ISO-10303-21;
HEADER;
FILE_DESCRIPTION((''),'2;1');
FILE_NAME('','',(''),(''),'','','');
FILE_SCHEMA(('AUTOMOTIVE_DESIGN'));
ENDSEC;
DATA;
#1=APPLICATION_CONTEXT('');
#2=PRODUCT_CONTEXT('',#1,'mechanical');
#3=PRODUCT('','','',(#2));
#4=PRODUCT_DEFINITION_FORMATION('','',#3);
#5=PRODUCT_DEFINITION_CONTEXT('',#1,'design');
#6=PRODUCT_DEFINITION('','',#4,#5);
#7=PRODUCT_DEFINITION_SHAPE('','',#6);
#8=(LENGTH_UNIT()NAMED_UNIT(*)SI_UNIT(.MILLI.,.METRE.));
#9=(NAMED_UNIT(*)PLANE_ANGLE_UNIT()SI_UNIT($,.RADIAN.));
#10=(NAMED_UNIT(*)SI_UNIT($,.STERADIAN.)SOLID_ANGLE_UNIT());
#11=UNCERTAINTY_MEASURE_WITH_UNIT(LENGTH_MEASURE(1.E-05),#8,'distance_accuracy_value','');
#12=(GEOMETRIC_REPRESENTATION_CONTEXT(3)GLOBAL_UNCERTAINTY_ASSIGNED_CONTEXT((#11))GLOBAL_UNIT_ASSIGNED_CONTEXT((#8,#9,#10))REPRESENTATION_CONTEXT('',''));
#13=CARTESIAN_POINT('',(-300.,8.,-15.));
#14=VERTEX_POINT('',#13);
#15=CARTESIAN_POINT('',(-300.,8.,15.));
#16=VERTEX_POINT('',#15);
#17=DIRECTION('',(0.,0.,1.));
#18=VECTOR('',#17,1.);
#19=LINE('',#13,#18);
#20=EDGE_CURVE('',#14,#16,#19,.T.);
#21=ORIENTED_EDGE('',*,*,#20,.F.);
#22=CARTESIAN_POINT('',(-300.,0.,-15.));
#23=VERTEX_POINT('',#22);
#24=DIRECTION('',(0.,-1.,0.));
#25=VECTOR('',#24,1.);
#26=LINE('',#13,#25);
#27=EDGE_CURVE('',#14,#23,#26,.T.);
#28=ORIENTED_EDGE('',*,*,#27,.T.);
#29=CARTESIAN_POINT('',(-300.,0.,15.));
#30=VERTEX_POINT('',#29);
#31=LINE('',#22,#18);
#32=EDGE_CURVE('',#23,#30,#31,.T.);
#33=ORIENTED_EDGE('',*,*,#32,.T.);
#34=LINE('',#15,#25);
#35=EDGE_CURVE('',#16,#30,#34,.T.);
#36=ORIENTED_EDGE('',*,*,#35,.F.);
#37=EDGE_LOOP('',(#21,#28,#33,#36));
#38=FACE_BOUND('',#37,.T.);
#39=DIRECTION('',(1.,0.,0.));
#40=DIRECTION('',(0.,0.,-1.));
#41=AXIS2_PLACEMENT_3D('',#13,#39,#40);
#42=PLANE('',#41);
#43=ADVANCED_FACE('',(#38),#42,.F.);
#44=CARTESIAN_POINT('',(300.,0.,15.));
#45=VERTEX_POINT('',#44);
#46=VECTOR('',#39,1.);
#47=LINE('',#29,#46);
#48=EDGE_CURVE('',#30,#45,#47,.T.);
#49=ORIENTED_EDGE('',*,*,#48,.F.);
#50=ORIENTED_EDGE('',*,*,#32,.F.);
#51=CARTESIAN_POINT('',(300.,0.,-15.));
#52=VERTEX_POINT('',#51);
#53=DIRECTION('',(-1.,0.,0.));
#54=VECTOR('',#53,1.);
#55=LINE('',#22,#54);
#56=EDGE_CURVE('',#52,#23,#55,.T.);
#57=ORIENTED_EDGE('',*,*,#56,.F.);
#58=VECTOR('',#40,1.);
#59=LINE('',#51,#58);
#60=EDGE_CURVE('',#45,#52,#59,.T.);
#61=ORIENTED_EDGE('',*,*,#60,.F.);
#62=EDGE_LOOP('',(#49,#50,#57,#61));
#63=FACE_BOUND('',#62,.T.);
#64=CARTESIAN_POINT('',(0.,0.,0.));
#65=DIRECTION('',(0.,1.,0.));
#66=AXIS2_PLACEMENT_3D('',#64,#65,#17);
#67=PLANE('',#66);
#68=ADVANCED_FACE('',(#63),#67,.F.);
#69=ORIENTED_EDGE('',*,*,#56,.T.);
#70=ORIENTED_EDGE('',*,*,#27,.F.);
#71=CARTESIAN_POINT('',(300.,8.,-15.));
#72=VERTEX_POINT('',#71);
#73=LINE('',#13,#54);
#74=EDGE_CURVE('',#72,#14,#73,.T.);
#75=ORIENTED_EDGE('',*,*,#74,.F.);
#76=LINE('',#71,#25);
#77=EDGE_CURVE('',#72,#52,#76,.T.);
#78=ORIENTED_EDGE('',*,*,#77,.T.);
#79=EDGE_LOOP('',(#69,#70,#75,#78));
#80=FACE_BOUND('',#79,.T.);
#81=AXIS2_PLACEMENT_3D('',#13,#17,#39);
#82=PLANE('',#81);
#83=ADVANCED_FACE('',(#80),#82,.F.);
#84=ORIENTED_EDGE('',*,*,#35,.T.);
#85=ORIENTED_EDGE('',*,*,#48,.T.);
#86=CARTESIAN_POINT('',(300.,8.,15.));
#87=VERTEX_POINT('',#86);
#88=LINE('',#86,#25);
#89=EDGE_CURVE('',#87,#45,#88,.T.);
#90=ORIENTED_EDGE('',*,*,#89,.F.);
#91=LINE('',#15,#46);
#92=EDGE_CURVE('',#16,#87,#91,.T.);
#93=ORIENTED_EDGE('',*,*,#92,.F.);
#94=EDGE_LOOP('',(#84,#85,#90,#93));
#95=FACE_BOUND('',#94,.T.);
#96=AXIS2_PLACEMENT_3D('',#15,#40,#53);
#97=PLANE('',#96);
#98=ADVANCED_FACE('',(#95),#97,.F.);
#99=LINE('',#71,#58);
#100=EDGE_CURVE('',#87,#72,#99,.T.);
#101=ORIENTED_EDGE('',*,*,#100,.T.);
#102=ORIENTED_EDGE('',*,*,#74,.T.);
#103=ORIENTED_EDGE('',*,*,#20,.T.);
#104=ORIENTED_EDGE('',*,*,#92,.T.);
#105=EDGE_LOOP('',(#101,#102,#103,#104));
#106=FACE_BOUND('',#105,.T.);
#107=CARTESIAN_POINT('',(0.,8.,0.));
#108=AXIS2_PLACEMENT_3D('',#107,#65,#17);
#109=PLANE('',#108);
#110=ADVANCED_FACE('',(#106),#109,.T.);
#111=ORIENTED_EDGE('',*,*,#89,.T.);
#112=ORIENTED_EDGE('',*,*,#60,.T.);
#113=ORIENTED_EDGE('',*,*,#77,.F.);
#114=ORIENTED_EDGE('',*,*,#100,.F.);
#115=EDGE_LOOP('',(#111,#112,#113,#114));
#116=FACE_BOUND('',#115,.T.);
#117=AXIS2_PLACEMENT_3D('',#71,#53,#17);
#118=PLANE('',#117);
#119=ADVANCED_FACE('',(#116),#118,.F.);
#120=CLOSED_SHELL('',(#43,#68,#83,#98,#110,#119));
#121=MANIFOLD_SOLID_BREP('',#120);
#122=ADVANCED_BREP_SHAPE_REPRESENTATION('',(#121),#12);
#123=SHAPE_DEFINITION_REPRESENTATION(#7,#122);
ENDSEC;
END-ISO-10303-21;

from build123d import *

# Parameters (mm, degrees)
SKETCH_1_W      = 600
SKETCH_1_H      = 30
EXTRUDE_1_DEPTH = 8


with BuildPart() as part:
    # Эскиз1 → Бобышка-Вытянуть1 (new body)
    with BuildSketch(Plane(origin=(0, 0, 0), x_dir=(1, 0, 0), z_dir=(0, 1, 0))):
        Rectangle(SKETCH_1_W, SKETCH_1_H)
    extrude(amount=EXTRUDE_1_DEPTH)


solid = part.part
